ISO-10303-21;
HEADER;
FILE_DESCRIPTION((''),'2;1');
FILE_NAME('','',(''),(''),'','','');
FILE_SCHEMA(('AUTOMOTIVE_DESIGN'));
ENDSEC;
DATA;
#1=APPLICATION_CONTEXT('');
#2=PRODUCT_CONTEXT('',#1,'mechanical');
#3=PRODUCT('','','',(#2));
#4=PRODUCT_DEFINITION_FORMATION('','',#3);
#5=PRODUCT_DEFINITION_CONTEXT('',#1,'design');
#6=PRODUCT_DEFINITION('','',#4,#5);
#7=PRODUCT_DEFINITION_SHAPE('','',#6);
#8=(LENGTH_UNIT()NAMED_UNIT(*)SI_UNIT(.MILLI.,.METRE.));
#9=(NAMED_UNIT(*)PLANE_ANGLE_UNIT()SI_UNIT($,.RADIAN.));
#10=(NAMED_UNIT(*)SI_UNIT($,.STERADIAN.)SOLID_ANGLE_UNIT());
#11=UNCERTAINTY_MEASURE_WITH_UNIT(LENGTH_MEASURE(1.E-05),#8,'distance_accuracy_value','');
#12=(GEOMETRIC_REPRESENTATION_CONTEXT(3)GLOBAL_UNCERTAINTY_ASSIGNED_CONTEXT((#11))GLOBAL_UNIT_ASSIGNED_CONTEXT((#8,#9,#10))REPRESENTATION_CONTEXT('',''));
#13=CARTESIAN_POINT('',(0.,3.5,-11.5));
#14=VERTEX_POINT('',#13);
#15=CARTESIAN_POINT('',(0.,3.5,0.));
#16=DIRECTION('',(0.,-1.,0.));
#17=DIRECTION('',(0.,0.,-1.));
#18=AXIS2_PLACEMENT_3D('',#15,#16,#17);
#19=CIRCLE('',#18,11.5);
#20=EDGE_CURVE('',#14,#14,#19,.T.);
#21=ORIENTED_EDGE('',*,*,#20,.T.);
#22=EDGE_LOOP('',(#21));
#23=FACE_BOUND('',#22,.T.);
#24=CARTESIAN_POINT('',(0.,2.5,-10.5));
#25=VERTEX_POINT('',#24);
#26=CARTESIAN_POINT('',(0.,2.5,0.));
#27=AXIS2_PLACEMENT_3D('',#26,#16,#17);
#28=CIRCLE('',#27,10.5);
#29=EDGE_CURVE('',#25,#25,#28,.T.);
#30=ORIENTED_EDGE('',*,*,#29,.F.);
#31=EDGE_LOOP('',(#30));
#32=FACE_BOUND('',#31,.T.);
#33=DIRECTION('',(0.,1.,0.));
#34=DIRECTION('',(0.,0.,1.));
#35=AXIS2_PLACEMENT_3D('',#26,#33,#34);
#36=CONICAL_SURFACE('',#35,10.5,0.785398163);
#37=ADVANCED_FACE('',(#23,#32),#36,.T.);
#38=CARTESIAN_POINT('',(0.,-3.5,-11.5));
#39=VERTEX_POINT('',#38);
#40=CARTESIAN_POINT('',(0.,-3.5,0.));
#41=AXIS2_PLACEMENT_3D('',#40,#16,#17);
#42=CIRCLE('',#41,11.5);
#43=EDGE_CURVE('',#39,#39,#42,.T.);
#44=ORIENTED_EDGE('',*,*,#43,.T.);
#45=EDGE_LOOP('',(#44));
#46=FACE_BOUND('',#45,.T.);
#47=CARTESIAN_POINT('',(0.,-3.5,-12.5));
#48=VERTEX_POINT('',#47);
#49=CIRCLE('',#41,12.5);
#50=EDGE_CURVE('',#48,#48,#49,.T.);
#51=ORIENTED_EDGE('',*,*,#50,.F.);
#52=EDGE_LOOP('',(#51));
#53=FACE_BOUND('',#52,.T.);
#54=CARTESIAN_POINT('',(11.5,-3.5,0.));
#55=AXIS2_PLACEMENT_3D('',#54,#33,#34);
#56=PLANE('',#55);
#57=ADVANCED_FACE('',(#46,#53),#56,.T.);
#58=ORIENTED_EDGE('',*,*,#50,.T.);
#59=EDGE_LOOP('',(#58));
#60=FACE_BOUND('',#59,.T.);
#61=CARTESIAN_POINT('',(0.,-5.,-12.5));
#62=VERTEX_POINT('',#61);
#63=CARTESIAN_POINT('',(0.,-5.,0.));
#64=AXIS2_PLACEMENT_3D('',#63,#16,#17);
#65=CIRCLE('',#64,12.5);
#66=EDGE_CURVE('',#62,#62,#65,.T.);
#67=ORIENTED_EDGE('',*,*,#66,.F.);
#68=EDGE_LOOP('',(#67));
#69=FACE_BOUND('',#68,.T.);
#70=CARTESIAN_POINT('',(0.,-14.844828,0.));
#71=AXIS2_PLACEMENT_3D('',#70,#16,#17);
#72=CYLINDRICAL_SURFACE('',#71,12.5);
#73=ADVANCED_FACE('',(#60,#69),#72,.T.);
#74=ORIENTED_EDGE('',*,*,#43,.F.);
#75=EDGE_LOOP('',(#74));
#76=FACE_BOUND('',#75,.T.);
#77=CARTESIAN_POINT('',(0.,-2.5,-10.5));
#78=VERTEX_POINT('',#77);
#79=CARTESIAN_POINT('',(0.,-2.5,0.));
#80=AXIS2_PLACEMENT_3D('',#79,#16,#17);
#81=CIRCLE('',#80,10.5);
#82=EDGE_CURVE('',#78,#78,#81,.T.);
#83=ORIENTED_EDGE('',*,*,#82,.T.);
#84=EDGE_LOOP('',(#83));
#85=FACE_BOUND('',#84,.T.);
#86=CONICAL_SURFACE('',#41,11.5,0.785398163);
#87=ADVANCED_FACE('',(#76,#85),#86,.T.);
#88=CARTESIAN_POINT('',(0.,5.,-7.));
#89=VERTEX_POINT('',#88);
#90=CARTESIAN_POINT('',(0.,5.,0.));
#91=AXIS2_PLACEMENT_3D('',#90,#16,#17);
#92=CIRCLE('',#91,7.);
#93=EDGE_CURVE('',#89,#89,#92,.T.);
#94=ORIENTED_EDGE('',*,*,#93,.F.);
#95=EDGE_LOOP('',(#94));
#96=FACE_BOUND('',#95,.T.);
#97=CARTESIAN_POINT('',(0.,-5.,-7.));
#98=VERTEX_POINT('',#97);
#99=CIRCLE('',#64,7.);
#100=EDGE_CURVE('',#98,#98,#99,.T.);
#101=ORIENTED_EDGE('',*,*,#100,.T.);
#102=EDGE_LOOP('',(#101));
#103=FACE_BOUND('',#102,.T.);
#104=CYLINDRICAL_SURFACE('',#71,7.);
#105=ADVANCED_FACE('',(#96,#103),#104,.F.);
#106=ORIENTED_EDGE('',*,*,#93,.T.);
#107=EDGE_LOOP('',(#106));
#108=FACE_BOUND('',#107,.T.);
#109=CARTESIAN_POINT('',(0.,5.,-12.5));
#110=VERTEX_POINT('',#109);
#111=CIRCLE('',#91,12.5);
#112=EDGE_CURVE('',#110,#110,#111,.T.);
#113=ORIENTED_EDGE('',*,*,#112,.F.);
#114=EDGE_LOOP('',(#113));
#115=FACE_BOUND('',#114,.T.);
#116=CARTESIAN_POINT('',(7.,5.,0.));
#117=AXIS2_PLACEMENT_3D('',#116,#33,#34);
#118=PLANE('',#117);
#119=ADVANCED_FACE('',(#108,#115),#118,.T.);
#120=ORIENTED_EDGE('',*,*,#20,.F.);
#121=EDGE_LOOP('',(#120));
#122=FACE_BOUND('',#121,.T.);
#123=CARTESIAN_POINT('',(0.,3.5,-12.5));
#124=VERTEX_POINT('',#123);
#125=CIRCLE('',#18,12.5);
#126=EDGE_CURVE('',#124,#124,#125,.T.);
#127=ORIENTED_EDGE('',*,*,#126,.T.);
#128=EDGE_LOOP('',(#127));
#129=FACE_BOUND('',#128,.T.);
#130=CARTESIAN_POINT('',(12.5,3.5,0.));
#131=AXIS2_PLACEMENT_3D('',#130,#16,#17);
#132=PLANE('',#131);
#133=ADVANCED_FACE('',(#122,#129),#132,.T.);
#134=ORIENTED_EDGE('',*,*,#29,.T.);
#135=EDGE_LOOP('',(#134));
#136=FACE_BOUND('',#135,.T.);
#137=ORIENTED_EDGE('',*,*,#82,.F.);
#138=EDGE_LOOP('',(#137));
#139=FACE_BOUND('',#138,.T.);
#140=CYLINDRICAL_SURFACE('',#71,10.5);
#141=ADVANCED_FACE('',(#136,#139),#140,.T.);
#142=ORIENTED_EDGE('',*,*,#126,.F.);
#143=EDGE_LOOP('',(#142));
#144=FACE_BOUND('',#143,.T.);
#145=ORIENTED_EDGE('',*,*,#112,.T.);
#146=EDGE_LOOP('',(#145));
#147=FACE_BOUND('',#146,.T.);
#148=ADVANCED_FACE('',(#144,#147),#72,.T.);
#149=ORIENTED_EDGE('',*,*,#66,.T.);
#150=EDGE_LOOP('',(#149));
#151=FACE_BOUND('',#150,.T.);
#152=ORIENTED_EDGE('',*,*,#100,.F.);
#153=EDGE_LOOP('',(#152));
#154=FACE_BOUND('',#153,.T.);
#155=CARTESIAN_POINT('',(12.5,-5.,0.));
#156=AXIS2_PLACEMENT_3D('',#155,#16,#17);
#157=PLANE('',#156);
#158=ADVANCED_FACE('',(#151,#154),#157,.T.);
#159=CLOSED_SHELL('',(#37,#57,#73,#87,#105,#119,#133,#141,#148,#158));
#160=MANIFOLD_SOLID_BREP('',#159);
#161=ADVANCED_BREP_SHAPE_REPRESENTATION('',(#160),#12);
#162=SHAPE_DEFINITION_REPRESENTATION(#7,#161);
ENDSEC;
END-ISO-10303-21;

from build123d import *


with BuildPart() as part:
    # Sketch1 → Revolve1 (revolve)
    with BuildSketch(Plane.XY, mode=Mode.PRIVATE) as revolve1_sk:
        Polygon((7, -5), (7, 5), (12.5, 5), (12.5, 3.5), (11.5, 3.5), (10.5, 2.5), (10.5, -2.5), (11.5, -3.5), (12.5, -3.5), (12.5, -5), align=None)
    revolve(revolve1_sk.sketch.rotate(Axis((0, -14.844827586, 0), (0, 1, 0)), 90), axis=Axis((0, -14.844827586, 0), (0, 1, 0)))


solid = part.part
